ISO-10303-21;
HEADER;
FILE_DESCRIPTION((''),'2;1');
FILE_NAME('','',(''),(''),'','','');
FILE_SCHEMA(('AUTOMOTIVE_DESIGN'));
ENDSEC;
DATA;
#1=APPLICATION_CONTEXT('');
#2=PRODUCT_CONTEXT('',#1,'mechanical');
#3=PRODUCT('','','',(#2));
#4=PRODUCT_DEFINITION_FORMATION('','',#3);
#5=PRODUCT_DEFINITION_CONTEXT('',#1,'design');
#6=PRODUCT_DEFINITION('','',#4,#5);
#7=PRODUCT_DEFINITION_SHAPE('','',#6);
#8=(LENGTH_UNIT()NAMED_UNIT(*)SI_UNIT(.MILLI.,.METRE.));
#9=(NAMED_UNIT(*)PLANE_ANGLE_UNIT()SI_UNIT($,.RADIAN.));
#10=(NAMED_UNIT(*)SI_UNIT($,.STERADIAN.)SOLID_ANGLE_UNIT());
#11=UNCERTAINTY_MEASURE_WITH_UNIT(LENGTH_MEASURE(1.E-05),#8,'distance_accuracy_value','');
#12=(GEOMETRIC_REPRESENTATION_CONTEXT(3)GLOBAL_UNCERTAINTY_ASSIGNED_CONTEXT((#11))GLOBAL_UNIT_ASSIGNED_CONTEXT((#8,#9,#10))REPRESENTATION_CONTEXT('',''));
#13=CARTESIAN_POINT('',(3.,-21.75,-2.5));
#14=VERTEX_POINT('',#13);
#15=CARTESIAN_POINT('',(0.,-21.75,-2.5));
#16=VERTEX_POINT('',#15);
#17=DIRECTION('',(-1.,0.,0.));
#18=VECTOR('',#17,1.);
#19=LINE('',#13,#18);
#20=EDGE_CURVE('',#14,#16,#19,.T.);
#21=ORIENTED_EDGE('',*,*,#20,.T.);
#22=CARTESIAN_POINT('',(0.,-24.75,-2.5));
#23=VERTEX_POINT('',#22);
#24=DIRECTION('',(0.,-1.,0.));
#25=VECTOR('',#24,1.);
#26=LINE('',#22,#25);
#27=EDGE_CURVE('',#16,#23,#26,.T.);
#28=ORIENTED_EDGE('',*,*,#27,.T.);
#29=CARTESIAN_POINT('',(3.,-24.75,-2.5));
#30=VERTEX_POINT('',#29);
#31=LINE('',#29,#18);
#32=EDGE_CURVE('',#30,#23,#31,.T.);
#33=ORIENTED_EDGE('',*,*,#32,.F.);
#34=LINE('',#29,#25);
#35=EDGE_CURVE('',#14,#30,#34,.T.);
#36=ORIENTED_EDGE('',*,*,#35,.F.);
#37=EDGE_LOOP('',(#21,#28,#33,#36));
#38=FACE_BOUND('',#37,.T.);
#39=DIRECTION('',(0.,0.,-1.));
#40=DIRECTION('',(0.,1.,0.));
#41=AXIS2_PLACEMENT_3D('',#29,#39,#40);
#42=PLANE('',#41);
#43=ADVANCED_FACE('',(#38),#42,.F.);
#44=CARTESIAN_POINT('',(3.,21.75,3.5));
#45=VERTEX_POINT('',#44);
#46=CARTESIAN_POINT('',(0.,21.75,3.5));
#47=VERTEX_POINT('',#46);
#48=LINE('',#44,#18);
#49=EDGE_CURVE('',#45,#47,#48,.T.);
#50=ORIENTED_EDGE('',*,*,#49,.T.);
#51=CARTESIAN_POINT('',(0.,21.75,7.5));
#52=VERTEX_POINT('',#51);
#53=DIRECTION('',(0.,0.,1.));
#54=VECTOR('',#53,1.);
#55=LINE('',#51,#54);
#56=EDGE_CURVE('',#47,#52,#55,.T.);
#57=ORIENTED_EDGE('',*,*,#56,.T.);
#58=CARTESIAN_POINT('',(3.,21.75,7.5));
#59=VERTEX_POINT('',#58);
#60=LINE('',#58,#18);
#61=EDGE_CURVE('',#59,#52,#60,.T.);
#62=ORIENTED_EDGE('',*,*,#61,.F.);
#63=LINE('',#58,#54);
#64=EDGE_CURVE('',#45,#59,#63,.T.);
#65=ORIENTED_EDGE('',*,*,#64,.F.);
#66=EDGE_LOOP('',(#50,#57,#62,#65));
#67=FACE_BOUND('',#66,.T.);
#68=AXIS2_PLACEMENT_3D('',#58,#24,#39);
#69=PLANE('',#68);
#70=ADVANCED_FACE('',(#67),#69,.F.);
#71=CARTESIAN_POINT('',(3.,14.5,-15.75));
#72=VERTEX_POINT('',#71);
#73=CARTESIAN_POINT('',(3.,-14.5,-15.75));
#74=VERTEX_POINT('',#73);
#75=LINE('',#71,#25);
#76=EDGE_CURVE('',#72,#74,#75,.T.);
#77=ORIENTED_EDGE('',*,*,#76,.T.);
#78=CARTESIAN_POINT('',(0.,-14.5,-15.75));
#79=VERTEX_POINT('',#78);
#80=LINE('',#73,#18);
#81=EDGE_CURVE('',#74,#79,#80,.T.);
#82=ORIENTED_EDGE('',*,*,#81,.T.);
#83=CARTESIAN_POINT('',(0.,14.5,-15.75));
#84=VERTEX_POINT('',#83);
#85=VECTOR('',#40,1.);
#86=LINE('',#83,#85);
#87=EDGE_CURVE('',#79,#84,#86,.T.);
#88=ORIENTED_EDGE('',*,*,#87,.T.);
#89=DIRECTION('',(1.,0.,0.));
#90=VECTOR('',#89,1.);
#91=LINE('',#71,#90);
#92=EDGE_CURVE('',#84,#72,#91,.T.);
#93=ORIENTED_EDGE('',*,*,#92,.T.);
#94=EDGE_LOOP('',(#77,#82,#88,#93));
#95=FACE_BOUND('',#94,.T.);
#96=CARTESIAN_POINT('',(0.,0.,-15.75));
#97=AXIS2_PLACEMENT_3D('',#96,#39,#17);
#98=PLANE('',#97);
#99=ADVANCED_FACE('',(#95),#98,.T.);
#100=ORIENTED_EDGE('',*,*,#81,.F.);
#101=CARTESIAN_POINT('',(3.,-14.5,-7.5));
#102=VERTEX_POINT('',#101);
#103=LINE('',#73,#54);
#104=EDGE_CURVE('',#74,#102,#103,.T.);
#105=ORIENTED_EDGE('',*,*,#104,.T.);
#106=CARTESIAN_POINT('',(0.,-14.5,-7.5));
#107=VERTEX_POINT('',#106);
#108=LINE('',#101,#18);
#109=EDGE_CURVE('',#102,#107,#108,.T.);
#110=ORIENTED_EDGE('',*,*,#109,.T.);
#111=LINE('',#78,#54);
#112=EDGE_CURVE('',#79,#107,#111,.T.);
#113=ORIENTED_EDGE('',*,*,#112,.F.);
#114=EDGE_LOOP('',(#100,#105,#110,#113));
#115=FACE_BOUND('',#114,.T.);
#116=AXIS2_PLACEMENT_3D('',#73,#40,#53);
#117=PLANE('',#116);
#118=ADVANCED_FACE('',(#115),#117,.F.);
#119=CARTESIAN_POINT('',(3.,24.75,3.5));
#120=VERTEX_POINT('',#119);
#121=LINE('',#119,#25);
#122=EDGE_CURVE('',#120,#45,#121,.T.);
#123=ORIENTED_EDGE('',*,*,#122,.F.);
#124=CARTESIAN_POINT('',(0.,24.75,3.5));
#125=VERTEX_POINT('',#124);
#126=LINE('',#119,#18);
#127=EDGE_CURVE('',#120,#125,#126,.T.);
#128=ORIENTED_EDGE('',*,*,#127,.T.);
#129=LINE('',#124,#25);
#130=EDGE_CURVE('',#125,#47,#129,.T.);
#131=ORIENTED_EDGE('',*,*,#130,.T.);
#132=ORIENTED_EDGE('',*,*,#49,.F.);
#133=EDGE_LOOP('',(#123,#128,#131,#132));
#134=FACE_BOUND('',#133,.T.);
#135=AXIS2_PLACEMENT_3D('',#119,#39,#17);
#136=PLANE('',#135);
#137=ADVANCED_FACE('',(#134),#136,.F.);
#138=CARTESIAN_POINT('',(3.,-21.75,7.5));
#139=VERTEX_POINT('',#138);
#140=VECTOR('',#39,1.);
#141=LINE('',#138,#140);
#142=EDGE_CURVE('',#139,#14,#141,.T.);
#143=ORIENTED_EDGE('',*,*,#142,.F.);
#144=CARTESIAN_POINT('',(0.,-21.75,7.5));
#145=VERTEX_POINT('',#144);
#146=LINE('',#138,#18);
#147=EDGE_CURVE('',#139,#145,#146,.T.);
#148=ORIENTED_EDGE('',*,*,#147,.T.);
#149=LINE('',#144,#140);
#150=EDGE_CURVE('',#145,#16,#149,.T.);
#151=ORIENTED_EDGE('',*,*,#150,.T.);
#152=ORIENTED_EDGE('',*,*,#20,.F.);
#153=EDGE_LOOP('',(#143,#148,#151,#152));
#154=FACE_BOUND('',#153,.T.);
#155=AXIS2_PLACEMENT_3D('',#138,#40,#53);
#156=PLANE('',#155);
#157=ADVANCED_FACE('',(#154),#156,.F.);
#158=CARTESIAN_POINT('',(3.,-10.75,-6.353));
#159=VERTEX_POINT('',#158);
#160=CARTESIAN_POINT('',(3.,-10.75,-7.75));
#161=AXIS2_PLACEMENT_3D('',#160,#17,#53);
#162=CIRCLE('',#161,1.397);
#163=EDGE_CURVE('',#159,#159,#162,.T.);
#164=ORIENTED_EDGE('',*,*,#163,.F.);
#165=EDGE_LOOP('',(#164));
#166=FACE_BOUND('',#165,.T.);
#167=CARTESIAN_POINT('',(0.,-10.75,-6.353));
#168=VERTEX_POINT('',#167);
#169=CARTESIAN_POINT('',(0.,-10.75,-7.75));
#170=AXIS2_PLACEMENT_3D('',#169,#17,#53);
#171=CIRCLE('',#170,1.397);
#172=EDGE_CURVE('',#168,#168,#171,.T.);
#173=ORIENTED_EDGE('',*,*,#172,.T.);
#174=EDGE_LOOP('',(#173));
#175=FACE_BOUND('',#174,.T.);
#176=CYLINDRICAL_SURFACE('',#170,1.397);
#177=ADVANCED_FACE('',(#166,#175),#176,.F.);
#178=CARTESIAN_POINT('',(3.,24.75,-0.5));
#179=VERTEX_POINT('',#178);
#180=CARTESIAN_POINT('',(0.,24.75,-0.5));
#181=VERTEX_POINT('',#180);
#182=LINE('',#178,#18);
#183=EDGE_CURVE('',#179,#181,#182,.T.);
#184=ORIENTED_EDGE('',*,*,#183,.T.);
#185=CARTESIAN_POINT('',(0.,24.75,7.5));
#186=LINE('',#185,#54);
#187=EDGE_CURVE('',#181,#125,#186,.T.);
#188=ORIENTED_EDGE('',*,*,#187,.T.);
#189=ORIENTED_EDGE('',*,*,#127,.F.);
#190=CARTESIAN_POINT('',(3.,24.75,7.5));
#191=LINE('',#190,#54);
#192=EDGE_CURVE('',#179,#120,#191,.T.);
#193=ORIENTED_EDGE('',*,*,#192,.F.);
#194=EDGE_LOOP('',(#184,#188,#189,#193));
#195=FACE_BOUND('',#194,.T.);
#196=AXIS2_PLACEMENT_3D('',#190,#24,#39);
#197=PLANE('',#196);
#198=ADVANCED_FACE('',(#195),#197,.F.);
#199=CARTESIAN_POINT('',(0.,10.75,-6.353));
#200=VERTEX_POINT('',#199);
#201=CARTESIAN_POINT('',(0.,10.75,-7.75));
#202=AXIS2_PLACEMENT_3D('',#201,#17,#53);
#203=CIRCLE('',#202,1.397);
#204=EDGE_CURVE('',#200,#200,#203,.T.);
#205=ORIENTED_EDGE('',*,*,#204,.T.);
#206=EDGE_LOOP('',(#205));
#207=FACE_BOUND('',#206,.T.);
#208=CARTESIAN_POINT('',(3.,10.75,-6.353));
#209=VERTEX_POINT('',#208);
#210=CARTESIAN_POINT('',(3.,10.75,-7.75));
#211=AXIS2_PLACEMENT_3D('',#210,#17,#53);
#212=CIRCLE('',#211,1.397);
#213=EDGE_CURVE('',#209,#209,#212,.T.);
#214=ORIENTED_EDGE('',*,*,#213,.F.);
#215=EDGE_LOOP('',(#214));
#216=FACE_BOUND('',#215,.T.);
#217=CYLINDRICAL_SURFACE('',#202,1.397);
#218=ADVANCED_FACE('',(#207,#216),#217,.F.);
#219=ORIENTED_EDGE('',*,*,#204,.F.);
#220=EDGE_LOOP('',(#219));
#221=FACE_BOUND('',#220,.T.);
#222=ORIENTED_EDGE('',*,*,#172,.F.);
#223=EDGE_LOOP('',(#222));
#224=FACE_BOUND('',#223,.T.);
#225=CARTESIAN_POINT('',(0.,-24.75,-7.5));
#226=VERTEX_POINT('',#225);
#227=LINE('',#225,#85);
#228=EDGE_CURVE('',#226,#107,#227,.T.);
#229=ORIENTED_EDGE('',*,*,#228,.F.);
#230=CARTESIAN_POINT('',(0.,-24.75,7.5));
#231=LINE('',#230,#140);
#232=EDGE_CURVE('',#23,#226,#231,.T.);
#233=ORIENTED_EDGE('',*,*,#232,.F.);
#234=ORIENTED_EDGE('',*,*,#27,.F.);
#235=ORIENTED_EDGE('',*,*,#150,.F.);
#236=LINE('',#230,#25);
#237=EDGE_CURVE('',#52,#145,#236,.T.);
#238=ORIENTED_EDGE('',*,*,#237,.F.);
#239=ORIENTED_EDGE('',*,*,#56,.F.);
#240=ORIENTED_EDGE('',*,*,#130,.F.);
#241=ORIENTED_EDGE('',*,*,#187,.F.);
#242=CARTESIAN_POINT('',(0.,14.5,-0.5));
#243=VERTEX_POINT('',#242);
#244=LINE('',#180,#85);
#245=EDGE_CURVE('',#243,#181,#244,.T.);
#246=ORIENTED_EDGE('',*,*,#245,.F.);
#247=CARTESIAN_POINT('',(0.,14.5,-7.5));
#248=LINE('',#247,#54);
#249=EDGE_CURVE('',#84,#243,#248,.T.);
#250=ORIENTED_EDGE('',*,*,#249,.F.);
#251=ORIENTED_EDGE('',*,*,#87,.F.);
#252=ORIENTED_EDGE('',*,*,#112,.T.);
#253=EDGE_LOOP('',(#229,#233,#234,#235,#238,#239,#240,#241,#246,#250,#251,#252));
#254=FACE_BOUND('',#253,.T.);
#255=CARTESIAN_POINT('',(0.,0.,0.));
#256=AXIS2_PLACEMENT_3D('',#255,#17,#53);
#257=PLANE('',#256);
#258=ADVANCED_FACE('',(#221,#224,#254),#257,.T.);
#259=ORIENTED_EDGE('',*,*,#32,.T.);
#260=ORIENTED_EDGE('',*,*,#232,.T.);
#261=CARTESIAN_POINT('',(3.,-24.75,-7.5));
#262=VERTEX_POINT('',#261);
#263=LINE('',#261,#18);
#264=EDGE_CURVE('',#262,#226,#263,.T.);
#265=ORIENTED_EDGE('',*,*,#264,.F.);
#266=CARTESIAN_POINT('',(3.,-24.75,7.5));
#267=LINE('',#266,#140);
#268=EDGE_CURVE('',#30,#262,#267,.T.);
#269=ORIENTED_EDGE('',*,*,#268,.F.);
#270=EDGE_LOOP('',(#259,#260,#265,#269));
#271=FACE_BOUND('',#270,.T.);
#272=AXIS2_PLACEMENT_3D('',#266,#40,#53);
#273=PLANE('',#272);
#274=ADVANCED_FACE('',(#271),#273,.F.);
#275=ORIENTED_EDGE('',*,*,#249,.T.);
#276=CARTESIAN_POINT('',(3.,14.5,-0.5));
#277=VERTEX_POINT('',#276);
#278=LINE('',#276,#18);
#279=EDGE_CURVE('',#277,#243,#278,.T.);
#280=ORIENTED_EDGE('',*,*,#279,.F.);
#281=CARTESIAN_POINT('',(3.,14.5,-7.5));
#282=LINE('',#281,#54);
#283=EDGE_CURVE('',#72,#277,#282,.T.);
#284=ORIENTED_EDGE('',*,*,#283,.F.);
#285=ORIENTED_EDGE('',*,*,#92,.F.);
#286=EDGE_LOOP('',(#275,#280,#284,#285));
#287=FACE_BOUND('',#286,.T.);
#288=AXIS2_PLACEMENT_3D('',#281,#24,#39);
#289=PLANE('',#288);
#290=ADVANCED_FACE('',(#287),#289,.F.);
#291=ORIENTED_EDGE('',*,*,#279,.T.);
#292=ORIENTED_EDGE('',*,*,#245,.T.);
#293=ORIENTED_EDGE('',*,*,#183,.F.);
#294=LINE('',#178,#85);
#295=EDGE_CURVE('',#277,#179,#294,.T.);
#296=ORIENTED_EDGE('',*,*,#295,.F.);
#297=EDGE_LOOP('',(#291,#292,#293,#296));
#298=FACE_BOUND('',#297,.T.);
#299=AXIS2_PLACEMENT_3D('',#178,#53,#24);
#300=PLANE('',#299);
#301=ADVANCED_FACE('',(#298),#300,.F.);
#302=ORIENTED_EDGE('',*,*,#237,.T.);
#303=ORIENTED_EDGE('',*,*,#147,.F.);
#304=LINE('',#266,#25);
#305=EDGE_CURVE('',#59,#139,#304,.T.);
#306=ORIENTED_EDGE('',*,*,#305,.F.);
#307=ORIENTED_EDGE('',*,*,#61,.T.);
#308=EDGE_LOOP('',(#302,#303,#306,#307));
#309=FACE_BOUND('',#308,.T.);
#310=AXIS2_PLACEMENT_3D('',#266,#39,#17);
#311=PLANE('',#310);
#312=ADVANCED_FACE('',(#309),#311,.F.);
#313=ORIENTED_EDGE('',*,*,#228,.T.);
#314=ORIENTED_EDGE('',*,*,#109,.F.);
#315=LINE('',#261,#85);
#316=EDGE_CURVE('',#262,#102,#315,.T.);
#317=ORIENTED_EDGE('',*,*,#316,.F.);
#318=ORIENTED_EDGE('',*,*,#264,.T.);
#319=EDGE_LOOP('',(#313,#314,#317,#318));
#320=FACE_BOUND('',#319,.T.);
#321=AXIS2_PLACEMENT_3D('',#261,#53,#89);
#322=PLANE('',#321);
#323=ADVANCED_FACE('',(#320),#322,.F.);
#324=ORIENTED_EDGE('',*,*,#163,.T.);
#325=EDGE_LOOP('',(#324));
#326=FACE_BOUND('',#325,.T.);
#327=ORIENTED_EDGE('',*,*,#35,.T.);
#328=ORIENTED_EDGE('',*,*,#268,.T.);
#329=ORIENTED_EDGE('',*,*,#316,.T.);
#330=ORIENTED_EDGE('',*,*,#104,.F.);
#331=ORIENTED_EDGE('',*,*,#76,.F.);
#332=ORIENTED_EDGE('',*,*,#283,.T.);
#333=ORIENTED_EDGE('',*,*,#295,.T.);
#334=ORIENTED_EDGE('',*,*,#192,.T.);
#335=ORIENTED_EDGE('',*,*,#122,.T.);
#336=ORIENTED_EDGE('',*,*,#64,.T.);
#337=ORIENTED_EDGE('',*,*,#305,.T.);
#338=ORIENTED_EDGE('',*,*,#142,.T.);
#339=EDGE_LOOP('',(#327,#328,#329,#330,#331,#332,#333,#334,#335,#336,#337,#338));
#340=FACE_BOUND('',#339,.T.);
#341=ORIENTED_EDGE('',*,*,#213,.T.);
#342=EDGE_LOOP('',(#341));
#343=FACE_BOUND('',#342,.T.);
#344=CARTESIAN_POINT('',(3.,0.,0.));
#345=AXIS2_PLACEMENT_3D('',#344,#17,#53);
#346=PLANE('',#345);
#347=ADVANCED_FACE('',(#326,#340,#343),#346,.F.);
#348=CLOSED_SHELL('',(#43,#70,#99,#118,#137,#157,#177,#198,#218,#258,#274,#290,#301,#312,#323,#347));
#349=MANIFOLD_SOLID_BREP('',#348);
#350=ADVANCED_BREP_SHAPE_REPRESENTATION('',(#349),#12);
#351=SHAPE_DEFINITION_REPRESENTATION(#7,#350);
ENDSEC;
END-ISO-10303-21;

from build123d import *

# Parameters (mm, degrees)
SKETCH1_W             = 15
SKETCH1_H             = 49.5
BOSS_EXTRUDE1_DEPTH   = 3
SKETCH2_W             = 10
SKETCH2_H             = 3
SKETCH2_W_2           = 7
SKETCH2_H_2           = 10.25
SKETCH2_W_3           = 4
CUT_EXTRUDE1_DEPTH    = 27.034832437
SKETCH3_W             = 3
SKETCH3_H             = 29
BOSS_EXTRUDE2_DEPTH   = 8.25
F_3_CLEARANCE_HOLE1_D = 2.794


with BuildPart() as part:
    # Sketch1 → Boss-Extrude1 (new body)
    with BuildSketch(Plane(origin=(0, 0, 0), x_dir=(0, 0, -1), z_dir=(1, 0, 0))):
        Rectangle(SKETCH1_W, SKETCH1_H)
    extrude(amount=BOSS_EXTRUDE1_DEPTH)

    # Sketch2 → Cut-Extrude1 (cut, through all)
    with BuildSketch(Plane.ZY):
        with Locations((2.5, -23.25)):
            Rectangle(SKETCH2_W, SKETCH2_H)
        with Locations((-4, 19.625)):
            Rectangle(SKETCH2_W_2, SKETCH2_H_2)
        with Locations((5.5, 23.25)):
            Rectangle(SKETCH2_W_3, SKETCH2_H)
    extrude(amount=-CUT_EXTRUDE1_DEPTH, mode=Mode.SUBTRACT)

    # Sketch3 → Boss-Extrude2 (add)
    with BuildSketch(Plane(origin=(0, 0, -7.5), x_dir=(-1, 0, 0), z_dir=(0, 0, -1))):
        with Locations((-1.5, 0)):
            Rectangle(SKETCH3_W, SKETCH3_H)
    extrude(amount=BOSS_EXTRUDE2_DEPTH)

    # #3 Clearance Hole1 (through all)
    with Locations(Plane.ZY):
        with Locations((-7.75, 10.75), (-7.75, -10.75)):
            Hole(F_3_CLEARANCE_HOLE1_D / 2)


solid = part.part
